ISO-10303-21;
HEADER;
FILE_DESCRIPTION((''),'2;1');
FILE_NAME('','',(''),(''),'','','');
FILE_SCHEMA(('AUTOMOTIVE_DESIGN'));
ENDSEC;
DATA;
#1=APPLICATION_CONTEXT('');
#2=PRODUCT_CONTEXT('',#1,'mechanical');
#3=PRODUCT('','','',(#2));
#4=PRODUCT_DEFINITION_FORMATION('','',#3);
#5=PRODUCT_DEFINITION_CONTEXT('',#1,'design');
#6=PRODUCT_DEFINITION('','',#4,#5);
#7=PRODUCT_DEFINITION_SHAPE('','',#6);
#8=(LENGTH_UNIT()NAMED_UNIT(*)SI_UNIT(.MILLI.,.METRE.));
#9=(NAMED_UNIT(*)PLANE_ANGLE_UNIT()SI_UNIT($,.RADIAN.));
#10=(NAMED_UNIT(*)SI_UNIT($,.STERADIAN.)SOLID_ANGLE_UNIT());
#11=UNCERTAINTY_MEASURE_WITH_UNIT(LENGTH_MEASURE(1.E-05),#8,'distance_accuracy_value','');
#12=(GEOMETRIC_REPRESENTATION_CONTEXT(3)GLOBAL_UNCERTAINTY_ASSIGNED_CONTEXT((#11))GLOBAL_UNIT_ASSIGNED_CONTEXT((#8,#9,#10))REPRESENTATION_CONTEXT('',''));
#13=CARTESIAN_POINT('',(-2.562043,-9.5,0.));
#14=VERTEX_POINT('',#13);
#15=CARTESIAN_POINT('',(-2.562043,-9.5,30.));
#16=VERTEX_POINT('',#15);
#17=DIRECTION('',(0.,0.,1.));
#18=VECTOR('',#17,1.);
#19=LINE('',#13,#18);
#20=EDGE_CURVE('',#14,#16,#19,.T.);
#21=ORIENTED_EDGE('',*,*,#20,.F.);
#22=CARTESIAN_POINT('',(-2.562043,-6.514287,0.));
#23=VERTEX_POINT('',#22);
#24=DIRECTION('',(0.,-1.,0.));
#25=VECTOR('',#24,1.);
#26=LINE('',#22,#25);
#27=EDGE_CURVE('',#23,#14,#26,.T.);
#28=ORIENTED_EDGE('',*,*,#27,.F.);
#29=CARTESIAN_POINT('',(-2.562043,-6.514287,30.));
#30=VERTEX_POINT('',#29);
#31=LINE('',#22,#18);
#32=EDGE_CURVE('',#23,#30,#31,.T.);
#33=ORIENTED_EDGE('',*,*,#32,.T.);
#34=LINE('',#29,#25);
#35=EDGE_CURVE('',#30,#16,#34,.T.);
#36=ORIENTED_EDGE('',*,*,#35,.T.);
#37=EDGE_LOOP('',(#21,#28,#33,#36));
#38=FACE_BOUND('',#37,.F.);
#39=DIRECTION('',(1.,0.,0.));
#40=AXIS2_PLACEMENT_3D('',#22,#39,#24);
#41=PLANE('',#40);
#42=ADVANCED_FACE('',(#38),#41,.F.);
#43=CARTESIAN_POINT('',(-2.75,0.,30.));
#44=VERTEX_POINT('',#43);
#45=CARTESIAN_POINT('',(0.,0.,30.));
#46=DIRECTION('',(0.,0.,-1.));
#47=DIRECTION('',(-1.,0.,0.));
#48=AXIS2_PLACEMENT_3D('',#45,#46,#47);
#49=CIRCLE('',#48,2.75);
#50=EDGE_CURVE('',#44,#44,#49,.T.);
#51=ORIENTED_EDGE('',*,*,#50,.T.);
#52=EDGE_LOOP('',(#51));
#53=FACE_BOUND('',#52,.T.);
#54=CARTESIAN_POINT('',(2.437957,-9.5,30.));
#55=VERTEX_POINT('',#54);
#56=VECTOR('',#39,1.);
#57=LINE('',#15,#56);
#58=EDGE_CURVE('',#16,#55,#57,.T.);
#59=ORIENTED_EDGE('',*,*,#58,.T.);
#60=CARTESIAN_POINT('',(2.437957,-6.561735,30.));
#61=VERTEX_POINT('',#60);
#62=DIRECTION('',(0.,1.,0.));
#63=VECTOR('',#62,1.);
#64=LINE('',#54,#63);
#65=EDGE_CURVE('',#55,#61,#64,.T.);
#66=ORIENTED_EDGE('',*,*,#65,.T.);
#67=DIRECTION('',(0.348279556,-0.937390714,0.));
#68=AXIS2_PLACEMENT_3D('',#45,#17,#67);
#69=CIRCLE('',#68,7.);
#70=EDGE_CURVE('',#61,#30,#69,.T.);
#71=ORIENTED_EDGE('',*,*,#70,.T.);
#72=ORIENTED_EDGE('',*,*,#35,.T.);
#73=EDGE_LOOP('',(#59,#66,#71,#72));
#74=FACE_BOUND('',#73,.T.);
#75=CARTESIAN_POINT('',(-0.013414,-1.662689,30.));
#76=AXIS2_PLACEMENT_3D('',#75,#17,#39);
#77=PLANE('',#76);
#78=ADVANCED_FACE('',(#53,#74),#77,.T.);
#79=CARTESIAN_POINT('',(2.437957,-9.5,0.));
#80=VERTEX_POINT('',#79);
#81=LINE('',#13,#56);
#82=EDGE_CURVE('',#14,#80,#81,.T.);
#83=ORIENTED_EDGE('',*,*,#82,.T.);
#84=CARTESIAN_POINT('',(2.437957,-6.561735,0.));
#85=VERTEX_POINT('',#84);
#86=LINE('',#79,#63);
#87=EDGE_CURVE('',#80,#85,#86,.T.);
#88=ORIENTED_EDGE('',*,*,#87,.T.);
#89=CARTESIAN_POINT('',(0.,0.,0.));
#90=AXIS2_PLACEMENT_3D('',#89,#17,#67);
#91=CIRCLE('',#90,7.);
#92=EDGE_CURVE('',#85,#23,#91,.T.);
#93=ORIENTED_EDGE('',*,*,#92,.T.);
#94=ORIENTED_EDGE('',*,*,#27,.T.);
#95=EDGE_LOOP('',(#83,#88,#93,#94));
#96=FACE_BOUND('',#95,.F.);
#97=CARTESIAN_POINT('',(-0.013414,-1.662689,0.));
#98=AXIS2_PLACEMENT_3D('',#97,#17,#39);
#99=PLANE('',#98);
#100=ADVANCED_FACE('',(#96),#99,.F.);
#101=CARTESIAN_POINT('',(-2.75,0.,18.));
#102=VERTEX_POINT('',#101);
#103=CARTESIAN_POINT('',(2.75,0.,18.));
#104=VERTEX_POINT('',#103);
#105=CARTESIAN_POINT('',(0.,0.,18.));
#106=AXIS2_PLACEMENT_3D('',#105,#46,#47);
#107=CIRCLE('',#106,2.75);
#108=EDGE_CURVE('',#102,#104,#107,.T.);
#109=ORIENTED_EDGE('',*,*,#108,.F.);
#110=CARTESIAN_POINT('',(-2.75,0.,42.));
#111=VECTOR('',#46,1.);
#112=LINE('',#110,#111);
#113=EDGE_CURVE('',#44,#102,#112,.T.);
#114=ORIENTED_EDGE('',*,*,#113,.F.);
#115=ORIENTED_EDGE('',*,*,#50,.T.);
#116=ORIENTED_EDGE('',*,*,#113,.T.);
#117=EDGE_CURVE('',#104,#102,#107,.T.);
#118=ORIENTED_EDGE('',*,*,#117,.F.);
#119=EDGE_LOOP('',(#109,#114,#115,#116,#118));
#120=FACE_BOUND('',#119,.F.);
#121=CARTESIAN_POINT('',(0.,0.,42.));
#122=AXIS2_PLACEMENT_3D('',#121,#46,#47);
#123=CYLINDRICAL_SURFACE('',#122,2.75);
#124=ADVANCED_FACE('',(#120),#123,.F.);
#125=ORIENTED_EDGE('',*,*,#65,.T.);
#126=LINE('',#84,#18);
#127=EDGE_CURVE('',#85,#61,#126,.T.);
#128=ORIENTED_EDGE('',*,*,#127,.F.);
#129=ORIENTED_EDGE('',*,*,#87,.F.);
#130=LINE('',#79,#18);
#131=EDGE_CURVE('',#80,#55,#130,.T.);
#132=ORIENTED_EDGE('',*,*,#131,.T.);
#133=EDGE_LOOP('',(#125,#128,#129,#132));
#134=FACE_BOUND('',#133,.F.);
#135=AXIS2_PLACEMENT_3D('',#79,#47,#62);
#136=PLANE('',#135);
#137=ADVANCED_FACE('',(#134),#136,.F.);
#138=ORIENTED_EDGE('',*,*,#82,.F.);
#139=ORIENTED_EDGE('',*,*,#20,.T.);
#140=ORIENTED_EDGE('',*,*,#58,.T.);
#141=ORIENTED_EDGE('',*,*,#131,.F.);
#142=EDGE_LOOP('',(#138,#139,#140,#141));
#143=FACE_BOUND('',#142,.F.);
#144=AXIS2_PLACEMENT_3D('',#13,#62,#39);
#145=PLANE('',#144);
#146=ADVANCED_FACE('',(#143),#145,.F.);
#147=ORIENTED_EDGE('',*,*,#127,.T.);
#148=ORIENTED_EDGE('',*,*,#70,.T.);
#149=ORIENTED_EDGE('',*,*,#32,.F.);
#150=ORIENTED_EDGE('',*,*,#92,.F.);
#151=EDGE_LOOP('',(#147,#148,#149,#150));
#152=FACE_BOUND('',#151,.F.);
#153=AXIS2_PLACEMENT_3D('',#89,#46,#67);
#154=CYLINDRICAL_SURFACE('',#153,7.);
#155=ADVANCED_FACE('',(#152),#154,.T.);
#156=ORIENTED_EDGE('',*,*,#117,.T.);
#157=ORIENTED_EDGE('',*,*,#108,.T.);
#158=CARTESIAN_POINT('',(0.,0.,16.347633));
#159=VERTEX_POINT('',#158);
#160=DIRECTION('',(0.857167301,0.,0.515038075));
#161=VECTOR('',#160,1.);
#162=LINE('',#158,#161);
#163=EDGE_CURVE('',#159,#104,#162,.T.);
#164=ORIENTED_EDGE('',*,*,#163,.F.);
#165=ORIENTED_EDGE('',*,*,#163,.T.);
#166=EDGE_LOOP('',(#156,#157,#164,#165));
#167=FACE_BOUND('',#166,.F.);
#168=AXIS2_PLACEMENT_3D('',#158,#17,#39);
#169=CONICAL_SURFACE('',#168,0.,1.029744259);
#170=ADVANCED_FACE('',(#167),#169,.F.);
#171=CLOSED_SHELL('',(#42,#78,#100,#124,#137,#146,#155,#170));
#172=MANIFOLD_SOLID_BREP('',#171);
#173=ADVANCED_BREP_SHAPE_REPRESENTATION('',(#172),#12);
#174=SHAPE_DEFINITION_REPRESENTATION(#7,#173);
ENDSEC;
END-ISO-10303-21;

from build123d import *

# Parameters (mm, degrees)
F1_DEPTH = 30
F3_D     = 5.5
F3_DEPTH = 12
F3_TIP   = 1.6523667023


with BuildPart() as f1:
    # F0 (on Top) → F1 (new body)
    with BuildSketch(Plane.XY):
        with BuildLine():
            Line((2.4379568888, -9.5), (2.4379568888, -6.5617349999))
            ThreePointArc((2.4379568888, -6.5617349999), (0.0664242114, 6.9996848375), (-2.5620431112, -6.5142869983))
            Line((-2.5620431112, -6.5142869983), (-2.5620431112, -9.5))
            Line((-2.5620431112, -9.5), (2.4379568888, -9.5))
        make_face()
    extrude(amount=F1_DEPTH)

    # F3
    with Locations(Plane.XY.offset(30)):
        with Locations((0, 0)):
            Hole(F3_D / 2, depth=F3_DEPTH)
            with Locations((0, 0, -(F3_DEPTH + F3_TIP / 2))):  # 118° drill point
                Cone(0, F3_D / 2, F3_TIP, mode=Mode.SUBTRACT)


solid = f1.part
